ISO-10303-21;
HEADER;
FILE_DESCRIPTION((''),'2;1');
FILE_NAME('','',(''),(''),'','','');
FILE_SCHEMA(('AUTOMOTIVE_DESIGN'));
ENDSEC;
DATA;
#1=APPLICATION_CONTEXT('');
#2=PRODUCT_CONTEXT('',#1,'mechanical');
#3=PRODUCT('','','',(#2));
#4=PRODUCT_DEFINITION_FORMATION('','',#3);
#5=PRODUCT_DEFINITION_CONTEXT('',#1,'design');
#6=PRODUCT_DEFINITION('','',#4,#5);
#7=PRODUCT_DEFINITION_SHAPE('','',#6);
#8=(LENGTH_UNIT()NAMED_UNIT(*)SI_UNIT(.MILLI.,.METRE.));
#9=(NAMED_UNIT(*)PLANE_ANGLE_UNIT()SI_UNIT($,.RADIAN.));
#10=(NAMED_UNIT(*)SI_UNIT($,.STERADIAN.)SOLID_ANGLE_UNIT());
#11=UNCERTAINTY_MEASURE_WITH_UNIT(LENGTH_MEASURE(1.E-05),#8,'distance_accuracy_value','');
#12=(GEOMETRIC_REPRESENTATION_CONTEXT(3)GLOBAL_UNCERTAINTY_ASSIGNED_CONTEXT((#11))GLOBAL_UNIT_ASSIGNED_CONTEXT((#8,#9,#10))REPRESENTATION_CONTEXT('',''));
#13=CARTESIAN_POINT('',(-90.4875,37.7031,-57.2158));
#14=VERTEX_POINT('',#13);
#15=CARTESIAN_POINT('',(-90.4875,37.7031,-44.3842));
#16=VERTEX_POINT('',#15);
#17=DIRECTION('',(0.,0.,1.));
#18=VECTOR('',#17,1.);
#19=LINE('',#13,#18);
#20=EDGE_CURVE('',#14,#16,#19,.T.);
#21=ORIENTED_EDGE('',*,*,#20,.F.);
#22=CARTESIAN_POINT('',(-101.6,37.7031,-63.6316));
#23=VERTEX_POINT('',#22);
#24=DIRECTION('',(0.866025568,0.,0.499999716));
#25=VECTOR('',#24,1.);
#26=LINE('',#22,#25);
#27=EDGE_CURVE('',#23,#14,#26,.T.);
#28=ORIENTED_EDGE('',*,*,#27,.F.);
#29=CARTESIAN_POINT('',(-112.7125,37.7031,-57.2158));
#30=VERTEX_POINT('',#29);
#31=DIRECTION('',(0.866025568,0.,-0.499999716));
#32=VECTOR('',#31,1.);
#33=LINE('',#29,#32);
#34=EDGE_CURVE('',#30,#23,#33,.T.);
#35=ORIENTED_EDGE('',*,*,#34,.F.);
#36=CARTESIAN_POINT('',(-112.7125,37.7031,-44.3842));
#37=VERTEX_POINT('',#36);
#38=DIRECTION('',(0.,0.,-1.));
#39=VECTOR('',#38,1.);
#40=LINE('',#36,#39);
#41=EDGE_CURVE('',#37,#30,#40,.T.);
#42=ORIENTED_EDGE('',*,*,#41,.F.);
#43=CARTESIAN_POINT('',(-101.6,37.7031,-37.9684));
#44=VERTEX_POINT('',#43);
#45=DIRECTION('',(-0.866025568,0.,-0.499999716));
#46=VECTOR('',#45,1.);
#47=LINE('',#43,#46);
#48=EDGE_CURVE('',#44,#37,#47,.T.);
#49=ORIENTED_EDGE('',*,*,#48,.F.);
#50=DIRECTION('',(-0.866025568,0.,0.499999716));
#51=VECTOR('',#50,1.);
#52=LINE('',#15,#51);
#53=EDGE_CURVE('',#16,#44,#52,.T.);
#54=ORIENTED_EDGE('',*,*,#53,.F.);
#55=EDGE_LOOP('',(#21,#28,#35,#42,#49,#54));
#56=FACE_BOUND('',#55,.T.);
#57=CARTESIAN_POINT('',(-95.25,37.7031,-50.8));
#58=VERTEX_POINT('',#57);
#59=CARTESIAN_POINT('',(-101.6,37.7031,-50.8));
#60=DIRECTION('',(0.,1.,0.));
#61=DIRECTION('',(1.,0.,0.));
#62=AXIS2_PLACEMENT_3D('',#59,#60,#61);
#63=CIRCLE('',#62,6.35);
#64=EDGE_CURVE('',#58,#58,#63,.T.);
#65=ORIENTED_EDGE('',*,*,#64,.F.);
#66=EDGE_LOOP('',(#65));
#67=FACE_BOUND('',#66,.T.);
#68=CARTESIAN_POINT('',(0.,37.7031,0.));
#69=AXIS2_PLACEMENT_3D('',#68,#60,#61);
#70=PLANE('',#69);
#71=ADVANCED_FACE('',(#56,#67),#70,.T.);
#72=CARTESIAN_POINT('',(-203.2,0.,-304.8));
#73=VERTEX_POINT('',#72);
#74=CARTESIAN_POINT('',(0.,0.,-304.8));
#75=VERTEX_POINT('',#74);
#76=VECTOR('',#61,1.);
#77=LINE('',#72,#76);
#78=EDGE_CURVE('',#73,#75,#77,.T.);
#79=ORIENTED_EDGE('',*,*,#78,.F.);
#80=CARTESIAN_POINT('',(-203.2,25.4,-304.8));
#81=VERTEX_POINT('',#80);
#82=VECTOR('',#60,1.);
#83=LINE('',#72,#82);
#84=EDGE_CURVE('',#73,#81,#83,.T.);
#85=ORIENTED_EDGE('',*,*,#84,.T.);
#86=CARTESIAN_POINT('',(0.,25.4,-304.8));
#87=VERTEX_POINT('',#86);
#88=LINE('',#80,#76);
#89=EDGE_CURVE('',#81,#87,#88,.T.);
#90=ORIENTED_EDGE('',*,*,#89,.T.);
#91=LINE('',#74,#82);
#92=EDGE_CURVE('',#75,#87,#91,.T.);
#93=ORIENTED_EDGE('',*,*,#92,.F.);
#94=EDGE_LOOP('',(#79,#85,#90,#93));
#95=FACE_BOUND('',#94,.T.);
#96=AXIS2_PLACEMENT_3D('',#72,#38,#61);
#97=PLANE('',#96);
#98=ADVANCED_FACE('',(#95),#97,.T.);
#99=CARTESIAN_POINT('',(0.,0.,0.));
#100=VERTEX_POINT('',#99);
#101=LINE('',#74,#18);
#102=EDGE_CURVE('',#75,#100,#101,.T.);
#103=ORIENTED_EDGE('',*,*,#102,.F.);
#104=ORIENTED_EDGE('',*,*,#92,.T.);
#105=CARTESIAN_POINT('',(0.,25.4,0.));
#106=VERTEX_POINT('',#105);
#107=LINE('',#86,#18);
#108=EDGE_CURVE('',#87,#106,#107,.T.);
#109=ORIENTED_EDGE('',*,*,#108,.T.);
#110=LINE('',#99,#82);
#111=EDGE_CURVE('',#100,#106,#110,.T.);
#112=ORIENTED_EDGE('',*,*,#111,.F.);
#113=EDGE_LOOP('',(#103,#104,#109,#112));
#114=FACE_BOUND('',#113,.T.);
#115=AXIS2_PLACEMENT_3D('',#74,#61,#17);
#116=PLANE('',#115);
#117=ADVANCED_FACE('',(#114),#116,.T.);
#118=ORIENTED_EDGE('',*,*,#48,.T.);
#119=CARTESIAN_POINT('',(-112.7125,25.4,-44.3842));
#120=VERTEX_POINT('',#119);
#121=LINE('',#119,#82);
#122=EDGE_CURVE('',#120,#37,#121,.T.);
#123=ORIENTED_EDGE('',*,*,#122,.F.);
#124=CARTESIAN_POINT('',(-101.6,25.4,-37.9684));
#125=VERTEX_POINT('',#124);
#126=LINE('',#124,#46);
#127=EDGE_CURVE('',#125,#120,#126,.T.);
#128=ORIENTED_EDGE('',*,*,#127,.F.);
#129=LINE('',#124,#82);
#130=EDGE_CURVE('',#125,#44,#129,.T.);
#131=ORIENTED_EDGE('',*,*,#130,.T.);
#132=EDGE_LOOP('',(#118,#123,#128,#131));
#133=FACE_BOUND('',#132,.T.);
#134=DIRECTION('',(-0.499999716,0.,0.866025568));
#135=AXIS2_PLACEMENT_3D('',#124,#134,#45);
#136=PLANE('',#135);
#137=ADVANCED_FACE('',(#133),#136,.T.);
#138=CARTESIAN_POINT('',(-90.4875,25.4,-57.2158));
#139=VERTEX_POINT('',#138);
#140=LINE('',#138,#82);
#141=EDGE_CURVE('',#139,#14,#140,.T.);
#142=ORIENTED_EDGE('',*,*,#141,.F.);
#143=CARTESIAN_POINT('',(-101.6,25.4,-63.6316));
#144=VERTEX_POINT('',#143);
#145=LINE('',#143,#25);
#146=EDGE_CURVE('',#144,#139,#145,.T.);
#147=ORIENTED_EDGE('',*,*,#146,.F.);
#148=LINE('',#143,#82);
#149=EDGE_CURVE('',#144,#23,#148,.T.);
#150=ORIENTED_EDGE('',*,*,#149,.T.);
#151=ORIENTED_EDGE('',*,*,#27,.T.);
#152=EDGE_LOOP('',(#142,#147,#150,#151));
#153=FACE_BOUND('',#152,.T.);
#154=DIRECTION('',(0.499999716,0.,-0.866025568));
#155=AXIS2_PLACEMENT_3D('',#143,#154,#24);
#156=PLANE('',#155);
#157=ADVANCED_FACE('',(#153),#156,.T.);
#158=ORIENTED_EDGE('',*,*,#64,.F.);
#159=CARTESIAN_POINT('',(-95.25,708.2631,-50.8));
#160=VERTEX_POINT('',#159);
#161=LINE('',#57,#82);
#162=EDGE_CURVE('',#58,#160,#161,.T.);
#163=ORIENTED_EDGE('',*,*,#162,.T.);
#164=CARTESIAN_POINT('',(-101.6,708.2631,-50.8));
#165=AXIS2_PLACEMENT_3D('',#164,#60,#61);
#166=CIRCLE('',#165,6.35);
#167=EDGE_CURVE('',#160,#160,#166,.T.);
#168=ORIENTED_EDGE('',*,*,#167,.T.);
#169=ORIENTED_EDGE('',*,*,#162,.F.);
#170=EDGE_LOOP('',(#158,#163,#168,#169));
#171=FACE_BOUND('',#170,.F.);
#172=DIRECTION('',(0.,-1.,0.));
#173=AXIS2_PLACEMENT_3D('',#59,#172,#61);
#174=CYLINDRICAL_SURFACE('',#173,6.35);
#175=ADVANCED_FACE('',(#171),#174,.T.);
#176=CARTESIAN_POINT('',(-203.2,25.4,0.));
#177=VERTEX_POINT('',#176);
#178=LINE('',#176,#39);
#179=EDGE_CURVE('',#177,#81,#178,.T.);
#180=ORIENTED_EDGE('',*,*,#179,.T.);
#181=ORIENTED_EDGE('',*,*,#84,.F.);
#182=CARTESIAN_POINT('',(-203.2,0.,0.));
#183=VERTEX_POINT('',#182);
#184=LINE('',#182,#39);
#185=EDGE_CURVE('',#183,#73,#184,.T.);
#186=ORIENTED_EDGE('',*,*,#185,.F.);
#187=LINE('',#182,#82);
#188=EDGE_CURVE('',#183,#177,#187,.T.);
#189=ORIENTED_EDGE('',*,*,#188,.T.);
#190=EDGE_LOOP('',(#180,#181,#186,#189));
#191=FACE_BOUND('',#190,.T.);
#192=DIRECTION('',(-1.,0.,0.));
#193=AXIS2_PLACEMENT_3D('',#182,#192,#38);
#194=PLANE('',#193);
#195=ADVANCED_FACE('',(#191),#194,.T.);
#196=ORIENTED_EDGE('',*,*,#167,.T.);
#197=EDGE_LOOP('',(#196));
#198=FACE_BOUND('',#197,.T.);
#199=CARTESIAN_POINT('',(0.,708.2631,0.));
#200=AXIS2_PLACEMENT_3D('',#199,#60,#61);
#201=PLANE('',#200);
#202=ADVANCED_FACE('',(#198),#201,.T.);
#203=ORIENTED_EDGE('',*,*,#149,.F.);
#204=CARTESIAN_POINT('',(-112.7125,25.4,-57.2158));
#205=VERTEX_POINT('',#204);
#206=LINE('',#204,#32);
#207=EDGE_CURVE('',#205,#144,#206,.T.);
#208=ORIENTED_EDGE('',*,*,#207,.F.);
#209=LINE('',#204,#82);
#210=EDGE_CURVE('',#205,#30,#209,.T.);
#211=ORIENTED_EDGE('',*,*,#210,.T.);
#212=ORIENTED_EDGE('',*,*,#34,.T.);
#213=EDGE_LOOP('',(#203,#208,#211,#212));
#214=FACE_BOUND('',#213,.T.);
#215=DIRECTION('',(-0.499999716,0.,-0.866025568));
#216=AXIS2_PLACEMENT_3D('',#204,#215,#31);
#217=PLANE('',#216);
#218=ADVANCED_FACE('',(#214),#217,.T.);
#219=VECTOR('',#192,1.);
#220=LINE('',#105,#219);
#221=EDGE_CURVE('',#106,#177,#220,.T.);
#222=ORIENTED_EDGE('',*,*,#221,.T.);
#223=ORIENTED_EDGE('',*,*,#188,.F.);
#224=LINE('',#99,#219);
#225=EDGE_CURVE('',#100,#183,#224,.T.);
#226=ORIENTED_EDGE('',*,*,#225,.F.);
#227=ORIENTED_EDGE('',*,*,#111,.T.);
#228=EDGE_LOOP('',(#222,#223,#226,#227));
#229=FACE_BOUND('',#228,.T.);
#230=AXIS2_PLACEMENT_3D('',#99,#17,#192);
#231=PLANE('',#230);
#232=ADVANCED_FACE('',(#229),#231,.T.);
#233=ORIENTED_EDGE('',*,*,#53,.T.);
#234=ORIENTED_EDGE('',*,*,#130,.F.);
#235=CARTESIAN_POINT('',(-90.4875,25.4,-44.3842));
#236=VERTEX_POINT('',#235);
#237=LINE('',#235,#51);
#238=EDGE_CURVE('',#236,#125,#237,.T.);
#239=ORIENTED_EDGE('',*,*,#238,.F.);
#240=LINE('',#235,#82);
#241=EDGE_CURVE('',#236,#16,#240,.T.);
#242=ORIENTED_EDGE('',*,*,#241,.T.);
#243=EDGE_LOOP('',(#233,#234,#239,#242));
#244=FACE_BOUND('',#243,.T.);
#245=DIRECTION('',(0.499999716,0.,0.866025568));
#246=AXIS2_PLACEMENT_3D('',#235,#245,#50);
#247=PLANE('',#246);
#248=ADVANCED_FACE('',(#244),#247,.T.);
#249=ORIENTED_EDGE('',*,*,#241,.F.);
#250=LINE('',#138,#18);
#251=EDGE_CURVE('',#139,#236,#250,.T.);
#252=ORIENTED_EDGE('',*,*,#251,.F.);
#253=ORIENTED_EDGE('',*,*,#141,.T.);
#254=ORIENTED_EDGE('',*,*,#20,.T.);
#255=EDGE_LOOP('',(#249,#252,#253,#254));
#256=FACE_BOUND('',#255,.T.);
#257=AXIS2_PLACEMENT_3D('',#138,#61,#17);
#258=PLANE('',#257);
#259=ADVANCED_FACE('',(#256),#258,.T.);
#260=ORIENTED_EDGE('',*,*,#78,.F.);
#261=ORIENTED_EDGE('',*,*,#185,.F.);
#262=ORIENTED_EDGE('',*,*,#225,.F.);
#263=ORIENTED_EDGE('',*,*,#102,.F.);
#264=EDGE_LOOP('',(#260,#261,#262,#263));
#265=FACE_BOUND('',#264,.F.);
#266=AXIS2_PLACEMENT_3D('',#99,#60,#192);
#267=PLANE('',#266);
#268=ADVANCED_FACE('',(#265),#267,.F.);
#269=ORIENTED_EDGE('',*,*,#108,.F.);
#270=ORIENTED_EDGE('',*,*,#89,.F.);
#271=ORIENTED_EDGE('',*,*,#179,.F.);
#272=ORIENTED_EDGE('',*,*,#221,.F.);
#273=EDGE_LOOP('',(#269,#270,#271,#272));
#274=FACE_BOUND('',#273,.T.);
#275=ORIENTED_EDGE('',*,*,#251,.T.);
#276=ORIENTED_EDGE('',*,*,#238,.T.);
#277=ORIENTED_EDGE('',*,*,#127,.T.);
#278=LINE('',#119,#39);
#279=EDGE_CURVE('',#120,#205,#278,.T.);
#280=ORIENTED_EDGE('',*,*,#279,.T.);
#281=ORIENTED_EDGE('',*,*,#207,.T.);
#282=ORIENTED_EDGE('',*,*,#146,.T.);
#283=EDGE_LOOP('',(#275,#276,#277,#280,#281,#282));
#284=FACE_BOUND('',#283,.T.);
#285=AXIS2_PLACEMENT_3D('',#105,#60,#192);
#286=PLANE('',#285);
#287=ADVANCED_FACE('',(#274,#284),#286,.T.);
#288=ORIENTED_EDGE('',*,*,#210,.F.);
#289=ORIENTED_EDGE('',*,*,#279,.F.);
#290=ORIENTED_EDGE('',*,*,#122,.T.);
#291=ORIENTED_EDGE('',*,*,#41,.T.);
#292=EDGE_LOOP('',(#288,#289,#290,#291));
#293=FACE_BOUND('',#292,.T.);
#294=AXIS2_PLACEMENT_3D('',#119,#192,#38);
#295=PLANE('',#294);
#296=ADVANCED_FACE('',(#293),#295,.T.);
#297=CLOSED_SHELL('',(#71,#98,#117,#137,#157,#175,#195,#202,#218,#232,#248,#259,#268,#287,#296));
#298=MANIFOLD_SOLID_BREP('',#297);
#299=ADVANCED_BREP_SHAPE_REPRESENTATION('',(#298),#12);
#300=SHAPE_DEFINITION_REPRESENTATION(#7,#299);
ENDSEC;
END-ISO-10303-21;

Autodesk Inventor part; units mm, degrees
ref_plane "YZ Plane" through (0, 0, 0) normal (1, 0, 0) x (0, 1, 0)
ref_plane "XZ Plane" through (0, 0, 0) normal (0, 1, 0) x (-1, 0, 0)
ref_plane "XY Plane" through (0, 0, 0) normal (0, 0, 1) x (1, 0, 0)
sketch "Sketch1" plane through (0, 0, 0) normal (0, 1, 0) x (-1, 0, 0)
  line L0 (0, 0) -> (203.2, 0)
  line L1 (203.2, 0) -> (203.2, -304.8)
  line L2 (203.2, -304.8) -> (0, -304.8)
  line L3 (0, -304.8) -> (0, 0)
  dimension "d0" = 203.2
  dimension "d1" = 304.8
extrude "Extrusion1" add sketch "Sketch1" along normal blind 25.4
sketch "Sketch2" plane through (0, 25.4, 0) normal (0, 1, 0) x (1, 0, 0)
  line L0 (-203.2, 0) -> (0, 0) construction
  line L1 (-101.6, 0) -> (-101.6, 50.8) construction
  line L2 (-101.6, 63.6316) -> (-90.4875, 57.2158)
  line L3 (-90.4875, 57.2158) -> (-90.4875, 44.3842)
  line L4 (-90.4875, 44.3842) -> (-101.6, 37.9684)
  line L5 (-101.6, 37.9684) -> (-112.7125, 44.3842)
  line L6 (-112.7125, 44.3842) -> (-112.7125, 57.2158)
  line L7 (-112.7125, 57.2158) -> (-101.6, 63.6316)
  dimension "d4" = 50.8
  dimension "d9" = 22.225
extrude "Extrusion2" add sketch "Sketch2" along normal blind 12.3031
sketch "Sketch3" plane through (0, 37.7031, 0) normal (0, 1, 0) x (1, 0, 0)
  line L0 (-112.7125, 57.2158) -> (-112.7125, 44.3842) projected
  line L1 (-112.7125, 44.3842) -> (-101.6, 37.9684) projected
  line L2 (-101.6, 37.9684) -> (-90.4875, 44.3842) projected
  line L3 (-90.4875, 44.3842) -> (-90.4875, 57.2158) projected
  line L4 (-90.4875, 57.2158) -> (-101.6, 63.6316) projected
  line L5 (-101.6, 63.6316) -> (-112.7125, 57.2158) projected
  line L6 (-101.6, 37.9684) -> (-112.7125, 44.3842) construction
  line L7 (-101.6, 63.6316) -> (-101.6, 37.9684) construction
  circle A0 centre (-101.6, 50.8) radius 6.35
  point P0 (0, 0)
  dimension "d8" = 12.7
extrude "Extrusion3" add sketch "Sketch3" along normal blind 670.56 contours A0
properties part number "Ring Stand"
